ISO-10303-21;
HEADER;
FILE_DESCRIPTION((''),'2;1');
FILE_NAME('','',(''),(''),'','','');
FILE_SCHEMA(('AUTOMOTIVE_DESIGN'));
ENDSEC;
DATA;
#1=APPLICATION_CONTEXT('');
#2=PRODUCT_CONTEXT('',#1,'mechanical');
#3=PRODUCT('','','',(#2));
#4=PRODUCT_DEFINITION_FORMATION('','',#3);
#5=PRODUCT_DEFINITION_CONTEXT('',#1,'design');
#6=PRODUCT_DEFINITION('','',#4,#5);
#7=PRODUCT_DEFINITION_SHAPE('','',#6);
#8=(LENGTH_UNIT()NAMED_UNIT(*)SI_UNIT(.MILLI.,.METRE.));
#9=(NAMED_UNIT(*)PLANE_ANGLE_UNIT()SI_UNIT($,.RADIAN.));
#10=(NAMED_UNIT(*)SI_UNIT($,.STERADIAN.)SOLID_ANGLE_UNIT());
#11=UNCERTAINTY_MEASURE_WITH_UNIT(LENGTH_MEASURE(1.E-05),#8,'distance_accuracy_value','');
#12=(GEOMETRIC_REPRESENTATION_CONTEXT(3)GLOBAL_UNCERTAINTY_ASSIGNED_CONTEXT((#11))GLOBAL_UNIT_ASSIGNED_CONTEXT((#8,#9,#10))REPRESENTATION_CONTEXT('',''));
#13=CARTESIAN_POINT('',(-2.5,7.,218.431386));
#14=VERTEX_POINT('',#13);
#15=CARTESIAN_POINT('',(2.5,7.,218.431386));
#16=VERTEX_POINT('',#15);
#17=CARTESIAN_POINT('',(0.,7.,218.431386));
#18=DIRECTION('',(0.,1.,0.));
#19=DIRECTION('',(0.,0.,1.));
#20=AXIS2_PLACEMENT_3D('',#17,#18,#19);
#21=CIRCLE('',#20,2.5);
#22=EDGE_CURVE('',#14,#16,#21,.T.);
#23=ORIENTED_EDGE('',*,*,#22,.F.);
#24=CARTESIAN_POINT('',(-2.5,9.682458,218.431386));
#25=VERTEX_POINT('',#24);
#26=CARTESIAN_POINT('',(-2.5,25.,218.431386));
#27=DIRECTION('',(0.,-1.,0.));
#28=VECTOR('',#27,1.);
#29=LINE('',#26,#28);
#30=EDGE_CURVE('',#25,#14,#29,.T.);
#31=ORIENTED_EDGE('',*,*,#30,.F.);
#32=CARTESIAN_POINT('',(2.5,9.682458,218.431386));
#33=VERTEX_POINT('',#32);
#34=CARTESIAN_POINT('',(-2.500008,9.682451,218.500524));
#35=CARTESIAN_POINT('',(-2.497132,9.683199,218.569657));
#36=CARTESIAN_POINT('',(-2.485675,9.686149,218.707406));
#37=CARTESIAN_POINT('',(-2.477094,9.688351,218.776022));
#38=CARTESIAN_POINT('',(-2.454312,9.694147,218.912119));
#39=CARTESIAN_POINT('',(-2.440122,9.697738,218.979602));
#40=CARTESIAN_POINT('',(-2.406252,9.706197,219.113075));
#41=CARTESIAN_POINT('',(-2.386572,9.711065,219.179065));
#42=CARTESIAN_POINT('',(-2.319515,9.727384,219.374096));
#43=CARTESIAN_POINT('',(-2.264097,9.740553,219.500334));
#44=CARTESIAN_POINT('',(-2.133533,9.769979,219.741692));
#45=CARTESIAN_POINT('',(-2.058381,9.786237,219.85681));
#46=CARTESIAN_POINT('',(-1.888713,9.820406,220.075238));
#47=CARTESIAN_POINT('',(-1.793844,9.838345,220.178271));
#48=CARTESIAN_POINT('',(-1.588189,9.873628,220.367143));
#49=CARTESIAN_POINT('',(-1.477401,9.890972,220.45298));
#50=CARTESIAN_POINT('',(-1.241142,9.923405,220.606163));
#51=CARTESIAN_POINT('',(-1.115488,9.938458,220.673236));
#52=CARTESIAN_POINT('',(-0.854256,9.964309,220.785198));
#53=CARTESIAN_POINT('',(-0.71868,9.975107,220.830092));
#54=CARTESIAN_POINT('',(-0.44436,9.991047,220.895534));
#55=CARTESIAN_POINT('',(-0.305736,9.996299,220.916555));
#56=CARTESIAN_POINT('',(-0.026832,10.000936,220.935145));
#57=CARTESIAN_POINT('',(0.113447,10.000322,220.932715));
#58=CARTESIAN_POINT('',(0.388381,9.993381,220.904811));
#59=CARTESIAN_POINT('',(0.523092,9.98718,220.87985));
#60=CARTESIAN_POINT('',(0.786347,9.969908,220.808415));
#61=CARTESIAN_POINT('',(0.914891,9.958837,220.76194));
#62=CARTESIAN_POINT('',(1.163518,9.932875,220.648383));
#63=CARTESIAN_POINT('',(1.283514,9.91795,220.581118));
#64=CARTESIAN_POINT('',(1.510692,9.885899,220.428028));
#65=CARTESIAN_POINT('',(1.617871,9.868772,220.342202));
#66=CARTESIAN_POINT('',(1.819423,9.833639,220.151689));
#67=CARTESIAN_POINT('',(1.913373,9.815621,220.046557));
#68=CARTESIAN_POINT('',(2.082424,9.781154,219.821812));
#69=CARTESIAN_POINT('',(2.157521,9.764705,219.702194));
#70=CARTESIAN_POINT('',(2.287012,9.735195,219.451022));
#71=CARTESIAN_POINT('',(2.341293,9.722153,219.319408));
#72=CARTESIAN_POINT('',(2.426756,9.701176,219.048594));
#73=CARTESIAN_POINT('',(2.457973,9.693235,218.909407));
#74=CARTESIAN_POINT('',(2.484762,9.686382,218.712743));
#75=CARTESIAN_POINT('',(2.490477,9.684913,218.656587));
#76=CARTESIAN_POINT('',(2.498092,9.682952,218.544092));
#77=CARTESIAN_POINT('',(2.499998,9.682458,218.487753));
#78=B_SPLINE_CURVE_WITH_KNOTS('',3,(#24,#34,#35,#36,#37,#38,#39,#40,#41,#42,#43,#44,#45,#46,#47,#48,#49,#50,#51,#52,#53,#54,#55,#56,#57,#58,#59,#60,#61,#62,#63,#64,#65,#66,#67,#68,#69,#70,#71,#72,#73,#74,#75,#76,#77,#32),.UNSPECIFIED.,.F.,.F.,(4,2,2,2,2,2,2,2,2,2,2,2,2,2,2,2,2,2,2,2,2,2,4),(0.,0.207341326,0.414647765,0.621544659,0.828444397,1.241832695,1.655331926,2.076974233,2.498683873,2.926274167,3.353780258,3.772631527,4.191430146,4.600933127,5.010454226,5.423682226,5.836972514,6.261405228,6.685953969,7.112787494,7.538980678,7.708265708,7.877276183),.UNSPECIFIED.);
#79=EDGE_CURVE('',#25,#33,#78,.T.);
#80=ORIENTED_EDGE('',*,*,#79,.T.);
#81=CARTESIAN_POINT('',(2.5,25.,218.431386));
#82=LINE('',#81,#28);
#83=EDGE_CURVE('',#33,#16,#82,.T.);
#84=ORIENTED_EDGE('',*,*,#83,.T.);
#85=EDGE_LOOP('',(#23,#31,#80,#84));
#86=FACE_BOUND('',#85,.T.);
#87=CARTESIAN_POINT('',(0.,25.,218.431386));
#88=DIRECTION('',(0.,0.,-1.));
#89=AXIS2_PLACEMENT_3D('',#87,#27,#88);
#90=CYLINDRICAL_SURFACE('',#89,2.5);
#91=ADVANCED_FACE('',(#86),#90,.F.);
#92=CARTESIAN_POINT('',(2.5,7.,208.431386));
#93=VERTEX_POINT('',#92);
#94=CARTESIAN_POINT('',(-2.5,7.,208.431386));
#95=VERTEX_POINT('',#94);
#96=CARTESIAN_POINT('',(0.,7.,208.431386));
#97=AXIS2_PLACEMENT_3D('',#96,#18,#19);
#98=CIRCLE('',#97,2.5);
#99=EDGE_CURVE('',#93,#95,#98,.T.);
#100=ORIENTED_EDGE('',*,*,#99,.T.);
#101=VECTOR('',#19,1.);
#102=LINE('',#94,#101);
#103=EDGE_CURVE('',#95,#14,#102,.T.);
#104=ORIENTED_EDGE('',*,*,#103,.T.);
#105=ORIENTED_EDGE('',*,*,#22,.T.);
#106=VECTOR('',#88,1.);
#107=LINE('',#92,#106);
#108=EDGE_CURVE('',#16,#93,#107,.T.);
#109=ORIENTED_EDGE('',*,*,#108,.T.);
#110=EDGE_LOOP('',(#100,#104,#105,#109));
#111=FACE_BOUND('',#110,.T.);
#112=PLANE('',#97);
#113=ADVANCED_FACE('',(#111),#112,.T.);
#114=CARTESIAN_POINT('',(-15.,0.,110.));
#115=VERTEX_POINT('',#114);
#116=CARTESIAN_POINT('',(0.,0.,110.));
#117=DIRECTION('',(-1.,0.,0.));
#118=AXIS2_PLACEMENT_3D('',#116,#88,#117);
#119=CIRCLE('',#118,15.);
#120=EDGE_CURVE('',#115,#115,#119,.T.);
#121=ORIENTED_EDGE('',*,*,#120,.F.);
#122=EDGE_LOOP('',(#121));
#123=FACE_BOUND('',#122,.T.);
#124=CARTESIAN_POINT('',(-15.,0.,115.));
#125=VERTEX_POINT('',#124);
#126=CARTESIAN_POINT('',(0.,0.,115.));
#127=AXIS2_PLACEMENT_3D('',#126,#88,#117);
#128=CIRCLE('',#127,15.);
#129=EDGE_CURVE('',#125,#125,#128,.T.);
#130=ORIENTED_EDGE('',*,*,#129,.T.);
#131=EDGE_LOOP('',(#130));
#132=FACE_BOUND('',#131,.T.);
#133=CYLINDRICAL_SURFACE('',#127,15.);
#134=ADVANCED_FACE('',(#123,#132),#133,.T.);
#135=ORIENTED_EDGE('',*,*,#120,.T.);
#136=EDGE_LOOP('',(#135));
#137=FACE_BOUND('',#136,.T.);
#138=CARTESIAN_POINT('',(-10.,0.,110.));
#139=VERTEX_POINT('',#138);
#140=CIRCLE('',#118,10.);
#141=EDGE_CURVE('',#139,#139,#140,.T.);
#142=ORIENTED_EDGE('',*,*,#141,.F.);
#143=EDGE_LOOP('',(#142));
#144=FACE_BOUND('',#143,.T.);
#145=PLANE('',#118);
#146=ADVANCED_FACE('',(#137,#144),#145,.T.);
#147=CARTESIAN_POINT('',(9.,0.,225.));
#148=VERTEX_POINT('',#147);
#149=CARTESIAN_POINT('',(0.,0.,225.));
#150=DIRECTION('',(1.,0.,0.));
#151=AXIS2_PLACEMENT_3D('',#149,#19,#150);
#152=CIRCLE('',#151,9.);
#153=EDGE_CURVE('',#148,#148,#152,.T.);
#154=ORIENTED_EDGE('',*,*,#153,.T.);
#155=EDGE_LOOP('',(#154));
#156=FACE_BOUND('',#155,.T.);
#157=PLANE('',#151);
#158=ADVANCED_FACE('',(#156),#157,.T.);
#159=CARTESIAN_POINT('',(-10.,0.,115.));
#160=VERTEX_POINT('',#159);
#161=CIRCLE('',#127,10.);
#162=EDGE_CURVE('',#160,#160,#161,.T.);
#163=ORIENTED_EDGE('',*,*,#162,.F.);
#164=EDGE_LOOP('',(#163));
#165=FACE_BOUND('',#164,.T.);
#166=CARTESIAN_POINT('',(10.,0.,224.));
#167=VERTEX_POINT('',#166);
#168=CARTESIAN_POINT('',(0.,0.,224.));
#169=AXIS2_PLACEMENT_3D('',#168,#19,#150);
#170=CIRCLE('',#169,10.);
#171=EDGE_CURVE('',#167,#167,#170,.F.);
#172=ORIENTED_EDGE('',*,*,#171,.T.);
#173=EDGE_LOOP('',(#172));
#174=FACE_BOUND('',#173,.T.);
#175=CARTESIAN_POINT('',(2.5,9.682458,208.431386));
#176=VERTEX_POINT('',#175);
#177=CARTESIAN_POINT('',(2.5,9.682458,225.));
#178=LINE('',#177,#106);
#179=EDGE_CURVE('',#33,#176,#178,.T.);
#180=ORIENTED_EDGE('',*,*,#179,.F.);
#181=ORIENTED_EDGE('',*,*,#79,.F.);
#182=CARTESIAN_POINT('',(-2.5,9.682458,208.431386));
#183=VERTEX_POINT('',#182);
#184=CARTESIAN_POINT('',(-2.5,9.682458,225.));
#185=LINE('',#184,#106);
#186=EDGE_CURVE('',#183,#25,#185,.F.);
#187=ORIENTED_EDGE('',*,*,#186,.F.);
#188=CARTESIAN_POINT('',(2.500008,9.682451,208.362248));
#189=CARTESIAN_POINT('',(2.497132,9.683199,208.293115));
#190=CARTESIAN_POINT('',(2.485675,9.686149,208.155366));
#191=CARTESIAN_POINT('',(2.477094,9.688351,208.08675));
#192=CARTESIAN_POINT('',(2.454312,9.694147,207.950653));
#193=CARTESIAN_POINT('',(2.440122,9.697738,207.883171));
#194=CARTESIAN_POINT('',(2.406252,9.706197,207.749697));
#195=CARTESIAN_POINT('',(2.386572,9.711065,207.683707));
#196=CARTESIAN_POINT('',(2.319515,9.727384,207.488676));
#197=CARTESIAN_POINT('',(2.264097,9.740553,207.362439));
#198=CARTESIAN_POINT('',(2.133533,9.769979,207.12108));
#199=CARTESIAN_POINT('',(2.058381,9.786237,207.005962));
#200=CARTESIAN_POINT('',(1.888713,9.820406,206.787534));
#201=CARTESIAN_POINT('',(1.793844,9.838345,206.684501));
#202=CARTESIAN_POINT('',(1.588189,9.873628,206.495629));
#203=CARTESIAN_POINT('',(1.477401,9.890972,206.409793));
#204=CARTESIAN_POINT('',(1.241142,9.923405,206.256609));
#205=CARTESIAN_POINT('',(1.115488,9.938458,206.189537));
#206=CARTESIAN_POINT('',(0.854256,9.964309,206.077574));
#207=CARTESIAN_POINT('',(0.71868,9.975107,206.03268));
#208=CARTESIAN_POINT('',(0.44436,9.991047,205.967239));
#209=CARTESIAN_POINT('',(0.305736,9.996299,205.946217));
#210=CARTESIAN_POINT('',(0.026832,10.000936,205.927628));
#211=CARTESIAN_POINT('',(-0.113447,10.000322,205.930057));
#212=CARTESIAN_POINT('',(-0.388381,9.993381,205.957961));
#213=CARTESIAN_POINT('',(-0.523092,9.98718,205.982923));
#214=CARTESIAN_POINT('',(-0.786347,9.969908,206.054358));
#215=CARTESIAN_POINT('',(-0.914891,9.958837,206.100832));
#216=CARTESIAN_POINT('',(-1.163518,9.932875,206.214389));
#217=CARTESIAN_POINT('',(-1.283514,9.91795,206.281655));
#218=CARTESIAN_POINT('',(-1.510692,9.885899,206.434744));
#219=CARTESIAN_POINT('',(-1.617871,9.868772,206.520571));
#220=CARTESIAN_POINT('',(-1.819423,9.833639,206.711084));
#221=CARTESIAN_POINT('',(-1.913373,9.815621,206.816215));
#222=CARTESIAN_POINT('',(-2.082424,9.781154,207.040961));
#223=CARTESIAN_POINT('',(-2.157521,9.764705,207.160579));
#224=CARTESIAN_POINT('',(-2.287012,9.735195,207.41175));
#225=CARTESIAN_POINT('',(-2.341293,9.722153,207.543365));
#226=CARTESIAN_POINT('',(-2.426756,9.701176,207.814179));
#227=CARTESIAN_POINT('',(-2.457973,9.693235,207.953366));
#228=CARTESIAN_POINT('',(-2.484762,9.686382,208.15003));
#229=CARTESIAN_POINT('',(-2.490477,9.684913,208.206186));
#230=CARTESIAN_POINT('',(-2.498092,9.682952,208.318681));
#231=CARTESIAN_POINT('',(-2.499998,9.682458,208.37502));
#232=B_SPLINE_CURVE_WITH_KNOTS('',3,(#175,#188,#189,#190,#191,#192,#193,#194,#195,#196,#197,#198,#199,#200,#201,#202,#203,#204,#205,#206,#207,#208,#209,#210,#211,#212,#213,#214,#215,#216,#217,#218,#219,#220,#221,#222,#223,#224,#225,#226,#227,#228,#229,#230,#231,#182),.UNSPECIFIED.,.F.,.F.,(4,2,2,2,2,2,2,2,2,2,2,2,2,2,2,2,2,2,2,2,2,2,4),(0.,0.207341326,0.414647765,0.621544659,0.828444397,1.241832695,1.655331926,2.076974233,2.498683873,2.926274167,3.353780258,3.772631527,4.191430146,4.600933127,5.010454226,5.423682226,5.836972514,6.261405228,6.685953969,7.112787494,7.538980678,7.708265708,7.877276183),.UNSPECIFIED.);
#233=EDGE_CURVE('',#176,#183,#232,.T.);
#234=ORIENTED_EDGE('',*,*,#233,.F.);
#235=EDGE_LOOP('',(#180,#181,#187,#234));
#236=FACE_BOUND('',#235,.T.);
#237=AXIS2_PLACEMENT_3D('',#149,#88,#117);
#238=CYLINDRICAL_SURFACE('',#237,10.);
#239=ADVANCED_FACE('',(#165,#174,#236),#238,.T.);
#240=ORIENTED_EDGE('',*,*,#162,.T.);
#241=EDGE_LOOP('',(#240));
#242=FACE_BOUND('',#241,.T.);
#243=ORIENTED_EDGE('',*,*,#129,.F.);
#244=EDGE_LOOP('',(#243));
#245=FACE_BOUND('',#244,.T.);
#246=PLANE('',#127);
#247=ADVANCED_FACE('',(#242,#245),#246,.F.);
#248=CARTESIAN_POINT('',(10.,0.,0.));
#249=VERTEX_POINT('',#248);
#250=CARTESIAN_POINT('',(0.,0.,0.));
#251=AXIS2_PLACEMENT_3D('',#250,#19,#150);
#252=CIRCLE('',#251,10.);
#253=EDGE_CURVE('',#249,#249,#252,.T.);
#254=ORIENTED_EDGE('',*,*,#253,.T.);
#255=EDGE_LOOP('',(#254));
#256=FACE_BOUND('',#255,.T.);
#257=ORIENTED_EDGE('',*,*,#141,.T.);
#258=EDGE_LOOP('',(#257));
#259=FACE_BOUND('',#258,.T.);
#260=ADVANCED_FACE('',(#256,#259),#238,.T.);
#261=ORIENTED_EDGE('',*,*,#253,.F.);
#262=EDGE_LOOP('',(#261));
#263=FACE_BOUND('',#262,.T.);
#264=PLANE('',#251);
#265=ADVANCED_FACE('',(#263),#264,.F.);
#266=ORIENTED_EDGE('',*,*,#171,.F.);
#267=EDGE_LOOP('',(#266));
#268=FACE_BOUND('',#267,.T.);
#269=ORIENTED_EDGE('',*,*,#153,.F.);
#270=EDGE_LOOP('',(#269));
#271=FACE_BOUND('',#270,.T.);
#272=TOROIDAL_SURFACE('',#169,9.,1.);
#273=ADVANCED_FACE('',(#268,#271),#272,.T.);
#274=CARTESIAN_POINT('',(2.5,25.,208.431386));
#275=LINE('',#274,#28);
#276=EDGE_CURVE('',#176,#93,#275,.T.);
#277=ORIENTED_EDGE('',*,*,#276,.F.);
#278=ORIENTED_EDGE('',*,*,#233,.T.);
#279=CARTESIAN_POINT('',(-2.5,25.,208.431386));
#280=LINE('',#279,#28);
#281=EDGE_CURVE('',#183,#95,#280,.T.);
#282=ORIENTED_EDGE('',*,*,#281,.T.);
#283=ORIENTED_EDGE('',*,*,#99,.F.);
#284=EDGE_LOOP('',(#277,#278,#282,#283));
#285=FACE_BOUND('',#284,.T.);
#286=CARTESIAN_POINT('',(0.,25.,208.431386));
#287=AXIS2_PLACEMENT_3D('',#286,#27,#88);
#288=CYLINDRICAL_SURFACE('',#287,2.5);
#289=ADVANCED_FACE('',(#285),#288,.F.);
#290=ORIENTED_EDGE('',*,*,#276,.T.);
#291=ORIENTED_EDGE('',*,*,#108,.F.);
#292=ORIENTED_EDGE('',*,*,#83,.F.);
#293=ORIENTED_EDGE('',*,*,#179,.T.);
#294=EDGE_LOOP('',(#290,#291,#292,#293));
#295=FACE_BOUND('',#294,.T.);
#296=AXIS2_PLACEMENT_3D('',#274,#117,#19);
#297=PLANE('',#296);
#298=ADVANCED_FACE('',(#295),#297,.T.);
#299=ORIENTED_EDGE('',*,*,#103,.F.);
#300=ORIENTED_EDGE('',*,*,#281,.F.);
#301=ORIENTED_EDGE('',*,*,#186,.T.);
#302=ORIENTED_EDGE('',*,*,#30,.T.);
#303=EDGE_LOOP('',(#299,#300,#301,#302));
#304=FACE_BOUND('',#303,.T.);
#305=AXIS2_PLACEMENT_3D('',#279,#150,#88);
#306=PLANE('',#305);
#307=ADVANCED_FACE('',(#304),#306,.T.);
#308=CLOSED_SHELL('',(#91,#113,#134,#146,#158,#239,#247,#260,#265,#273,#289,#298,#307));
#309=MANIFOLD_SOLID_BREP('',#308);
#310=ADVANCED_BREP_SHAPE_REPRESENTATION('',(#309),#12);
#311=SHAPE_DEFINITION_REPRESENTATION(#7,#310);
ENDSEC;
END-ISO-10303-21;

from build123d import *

# Parameters (mm, degrees)
SKETCH_1_R          = 10
EXTRUDE_1_DEPTH     = 225
SKETCH_2_R          = 15
EXTRUDE_2_DEPTH     = 5
CUT_EXTRUDE_1_DEPTH = 18
FILLET_1_R          = 1


with BuildPart() as part:
    # 草图1 → 凸台-拉伸1 (new body)
    with BuildSketch(Plane.XY):
        Circle(SKETCH_1_R)
    extrude(amount=EXTRUDE_1_DEPTH)

    # 草图2 → 凸台-拉伸2 (add)
    with BuildSketch(Plane(origin=(0, 0, 110), x_dir=(-1, 0, 0), z_dir=(0, 0, -1))):
        Circle(SKETCH_2_R)
    extrude(amount=-EXTRUDE_2_DEPTH)

    # 草图4 → 切除-拉伸1 (cut)
    with BuildSketch(Plane(origin=(0, 7, 0), x_dir=(-1, 0, 0), z_dir=(0, 1, 0))):
        with BuildLine():
            Line((-2.5, 208.431386243), (-2.5, 218.431386243))
            ThreePointArc((-2.5, 218.431386243), (0, 220.931386243), (2.5, 218.431386243))
            Line((2.5, 218.431386243), (2.5, 208.431386243))
            ThreePointArc((2.5, 208.431386243), (0, 205.931386243), (-2.5, 208.431386243))
        make_face()
    extrude(amount=CUT_EXTRUDE_1_DEPTH, mode=Mode.SUBTRACT)

    # 圆角1
    fillet_1_edges = [part.edges().sort_by_distance(p)[0] for p in [
        (-10, 0, 225),
    ]]
    fillet(fillet_1_edges, radius=FILLET_1_R)


solid = part.part
